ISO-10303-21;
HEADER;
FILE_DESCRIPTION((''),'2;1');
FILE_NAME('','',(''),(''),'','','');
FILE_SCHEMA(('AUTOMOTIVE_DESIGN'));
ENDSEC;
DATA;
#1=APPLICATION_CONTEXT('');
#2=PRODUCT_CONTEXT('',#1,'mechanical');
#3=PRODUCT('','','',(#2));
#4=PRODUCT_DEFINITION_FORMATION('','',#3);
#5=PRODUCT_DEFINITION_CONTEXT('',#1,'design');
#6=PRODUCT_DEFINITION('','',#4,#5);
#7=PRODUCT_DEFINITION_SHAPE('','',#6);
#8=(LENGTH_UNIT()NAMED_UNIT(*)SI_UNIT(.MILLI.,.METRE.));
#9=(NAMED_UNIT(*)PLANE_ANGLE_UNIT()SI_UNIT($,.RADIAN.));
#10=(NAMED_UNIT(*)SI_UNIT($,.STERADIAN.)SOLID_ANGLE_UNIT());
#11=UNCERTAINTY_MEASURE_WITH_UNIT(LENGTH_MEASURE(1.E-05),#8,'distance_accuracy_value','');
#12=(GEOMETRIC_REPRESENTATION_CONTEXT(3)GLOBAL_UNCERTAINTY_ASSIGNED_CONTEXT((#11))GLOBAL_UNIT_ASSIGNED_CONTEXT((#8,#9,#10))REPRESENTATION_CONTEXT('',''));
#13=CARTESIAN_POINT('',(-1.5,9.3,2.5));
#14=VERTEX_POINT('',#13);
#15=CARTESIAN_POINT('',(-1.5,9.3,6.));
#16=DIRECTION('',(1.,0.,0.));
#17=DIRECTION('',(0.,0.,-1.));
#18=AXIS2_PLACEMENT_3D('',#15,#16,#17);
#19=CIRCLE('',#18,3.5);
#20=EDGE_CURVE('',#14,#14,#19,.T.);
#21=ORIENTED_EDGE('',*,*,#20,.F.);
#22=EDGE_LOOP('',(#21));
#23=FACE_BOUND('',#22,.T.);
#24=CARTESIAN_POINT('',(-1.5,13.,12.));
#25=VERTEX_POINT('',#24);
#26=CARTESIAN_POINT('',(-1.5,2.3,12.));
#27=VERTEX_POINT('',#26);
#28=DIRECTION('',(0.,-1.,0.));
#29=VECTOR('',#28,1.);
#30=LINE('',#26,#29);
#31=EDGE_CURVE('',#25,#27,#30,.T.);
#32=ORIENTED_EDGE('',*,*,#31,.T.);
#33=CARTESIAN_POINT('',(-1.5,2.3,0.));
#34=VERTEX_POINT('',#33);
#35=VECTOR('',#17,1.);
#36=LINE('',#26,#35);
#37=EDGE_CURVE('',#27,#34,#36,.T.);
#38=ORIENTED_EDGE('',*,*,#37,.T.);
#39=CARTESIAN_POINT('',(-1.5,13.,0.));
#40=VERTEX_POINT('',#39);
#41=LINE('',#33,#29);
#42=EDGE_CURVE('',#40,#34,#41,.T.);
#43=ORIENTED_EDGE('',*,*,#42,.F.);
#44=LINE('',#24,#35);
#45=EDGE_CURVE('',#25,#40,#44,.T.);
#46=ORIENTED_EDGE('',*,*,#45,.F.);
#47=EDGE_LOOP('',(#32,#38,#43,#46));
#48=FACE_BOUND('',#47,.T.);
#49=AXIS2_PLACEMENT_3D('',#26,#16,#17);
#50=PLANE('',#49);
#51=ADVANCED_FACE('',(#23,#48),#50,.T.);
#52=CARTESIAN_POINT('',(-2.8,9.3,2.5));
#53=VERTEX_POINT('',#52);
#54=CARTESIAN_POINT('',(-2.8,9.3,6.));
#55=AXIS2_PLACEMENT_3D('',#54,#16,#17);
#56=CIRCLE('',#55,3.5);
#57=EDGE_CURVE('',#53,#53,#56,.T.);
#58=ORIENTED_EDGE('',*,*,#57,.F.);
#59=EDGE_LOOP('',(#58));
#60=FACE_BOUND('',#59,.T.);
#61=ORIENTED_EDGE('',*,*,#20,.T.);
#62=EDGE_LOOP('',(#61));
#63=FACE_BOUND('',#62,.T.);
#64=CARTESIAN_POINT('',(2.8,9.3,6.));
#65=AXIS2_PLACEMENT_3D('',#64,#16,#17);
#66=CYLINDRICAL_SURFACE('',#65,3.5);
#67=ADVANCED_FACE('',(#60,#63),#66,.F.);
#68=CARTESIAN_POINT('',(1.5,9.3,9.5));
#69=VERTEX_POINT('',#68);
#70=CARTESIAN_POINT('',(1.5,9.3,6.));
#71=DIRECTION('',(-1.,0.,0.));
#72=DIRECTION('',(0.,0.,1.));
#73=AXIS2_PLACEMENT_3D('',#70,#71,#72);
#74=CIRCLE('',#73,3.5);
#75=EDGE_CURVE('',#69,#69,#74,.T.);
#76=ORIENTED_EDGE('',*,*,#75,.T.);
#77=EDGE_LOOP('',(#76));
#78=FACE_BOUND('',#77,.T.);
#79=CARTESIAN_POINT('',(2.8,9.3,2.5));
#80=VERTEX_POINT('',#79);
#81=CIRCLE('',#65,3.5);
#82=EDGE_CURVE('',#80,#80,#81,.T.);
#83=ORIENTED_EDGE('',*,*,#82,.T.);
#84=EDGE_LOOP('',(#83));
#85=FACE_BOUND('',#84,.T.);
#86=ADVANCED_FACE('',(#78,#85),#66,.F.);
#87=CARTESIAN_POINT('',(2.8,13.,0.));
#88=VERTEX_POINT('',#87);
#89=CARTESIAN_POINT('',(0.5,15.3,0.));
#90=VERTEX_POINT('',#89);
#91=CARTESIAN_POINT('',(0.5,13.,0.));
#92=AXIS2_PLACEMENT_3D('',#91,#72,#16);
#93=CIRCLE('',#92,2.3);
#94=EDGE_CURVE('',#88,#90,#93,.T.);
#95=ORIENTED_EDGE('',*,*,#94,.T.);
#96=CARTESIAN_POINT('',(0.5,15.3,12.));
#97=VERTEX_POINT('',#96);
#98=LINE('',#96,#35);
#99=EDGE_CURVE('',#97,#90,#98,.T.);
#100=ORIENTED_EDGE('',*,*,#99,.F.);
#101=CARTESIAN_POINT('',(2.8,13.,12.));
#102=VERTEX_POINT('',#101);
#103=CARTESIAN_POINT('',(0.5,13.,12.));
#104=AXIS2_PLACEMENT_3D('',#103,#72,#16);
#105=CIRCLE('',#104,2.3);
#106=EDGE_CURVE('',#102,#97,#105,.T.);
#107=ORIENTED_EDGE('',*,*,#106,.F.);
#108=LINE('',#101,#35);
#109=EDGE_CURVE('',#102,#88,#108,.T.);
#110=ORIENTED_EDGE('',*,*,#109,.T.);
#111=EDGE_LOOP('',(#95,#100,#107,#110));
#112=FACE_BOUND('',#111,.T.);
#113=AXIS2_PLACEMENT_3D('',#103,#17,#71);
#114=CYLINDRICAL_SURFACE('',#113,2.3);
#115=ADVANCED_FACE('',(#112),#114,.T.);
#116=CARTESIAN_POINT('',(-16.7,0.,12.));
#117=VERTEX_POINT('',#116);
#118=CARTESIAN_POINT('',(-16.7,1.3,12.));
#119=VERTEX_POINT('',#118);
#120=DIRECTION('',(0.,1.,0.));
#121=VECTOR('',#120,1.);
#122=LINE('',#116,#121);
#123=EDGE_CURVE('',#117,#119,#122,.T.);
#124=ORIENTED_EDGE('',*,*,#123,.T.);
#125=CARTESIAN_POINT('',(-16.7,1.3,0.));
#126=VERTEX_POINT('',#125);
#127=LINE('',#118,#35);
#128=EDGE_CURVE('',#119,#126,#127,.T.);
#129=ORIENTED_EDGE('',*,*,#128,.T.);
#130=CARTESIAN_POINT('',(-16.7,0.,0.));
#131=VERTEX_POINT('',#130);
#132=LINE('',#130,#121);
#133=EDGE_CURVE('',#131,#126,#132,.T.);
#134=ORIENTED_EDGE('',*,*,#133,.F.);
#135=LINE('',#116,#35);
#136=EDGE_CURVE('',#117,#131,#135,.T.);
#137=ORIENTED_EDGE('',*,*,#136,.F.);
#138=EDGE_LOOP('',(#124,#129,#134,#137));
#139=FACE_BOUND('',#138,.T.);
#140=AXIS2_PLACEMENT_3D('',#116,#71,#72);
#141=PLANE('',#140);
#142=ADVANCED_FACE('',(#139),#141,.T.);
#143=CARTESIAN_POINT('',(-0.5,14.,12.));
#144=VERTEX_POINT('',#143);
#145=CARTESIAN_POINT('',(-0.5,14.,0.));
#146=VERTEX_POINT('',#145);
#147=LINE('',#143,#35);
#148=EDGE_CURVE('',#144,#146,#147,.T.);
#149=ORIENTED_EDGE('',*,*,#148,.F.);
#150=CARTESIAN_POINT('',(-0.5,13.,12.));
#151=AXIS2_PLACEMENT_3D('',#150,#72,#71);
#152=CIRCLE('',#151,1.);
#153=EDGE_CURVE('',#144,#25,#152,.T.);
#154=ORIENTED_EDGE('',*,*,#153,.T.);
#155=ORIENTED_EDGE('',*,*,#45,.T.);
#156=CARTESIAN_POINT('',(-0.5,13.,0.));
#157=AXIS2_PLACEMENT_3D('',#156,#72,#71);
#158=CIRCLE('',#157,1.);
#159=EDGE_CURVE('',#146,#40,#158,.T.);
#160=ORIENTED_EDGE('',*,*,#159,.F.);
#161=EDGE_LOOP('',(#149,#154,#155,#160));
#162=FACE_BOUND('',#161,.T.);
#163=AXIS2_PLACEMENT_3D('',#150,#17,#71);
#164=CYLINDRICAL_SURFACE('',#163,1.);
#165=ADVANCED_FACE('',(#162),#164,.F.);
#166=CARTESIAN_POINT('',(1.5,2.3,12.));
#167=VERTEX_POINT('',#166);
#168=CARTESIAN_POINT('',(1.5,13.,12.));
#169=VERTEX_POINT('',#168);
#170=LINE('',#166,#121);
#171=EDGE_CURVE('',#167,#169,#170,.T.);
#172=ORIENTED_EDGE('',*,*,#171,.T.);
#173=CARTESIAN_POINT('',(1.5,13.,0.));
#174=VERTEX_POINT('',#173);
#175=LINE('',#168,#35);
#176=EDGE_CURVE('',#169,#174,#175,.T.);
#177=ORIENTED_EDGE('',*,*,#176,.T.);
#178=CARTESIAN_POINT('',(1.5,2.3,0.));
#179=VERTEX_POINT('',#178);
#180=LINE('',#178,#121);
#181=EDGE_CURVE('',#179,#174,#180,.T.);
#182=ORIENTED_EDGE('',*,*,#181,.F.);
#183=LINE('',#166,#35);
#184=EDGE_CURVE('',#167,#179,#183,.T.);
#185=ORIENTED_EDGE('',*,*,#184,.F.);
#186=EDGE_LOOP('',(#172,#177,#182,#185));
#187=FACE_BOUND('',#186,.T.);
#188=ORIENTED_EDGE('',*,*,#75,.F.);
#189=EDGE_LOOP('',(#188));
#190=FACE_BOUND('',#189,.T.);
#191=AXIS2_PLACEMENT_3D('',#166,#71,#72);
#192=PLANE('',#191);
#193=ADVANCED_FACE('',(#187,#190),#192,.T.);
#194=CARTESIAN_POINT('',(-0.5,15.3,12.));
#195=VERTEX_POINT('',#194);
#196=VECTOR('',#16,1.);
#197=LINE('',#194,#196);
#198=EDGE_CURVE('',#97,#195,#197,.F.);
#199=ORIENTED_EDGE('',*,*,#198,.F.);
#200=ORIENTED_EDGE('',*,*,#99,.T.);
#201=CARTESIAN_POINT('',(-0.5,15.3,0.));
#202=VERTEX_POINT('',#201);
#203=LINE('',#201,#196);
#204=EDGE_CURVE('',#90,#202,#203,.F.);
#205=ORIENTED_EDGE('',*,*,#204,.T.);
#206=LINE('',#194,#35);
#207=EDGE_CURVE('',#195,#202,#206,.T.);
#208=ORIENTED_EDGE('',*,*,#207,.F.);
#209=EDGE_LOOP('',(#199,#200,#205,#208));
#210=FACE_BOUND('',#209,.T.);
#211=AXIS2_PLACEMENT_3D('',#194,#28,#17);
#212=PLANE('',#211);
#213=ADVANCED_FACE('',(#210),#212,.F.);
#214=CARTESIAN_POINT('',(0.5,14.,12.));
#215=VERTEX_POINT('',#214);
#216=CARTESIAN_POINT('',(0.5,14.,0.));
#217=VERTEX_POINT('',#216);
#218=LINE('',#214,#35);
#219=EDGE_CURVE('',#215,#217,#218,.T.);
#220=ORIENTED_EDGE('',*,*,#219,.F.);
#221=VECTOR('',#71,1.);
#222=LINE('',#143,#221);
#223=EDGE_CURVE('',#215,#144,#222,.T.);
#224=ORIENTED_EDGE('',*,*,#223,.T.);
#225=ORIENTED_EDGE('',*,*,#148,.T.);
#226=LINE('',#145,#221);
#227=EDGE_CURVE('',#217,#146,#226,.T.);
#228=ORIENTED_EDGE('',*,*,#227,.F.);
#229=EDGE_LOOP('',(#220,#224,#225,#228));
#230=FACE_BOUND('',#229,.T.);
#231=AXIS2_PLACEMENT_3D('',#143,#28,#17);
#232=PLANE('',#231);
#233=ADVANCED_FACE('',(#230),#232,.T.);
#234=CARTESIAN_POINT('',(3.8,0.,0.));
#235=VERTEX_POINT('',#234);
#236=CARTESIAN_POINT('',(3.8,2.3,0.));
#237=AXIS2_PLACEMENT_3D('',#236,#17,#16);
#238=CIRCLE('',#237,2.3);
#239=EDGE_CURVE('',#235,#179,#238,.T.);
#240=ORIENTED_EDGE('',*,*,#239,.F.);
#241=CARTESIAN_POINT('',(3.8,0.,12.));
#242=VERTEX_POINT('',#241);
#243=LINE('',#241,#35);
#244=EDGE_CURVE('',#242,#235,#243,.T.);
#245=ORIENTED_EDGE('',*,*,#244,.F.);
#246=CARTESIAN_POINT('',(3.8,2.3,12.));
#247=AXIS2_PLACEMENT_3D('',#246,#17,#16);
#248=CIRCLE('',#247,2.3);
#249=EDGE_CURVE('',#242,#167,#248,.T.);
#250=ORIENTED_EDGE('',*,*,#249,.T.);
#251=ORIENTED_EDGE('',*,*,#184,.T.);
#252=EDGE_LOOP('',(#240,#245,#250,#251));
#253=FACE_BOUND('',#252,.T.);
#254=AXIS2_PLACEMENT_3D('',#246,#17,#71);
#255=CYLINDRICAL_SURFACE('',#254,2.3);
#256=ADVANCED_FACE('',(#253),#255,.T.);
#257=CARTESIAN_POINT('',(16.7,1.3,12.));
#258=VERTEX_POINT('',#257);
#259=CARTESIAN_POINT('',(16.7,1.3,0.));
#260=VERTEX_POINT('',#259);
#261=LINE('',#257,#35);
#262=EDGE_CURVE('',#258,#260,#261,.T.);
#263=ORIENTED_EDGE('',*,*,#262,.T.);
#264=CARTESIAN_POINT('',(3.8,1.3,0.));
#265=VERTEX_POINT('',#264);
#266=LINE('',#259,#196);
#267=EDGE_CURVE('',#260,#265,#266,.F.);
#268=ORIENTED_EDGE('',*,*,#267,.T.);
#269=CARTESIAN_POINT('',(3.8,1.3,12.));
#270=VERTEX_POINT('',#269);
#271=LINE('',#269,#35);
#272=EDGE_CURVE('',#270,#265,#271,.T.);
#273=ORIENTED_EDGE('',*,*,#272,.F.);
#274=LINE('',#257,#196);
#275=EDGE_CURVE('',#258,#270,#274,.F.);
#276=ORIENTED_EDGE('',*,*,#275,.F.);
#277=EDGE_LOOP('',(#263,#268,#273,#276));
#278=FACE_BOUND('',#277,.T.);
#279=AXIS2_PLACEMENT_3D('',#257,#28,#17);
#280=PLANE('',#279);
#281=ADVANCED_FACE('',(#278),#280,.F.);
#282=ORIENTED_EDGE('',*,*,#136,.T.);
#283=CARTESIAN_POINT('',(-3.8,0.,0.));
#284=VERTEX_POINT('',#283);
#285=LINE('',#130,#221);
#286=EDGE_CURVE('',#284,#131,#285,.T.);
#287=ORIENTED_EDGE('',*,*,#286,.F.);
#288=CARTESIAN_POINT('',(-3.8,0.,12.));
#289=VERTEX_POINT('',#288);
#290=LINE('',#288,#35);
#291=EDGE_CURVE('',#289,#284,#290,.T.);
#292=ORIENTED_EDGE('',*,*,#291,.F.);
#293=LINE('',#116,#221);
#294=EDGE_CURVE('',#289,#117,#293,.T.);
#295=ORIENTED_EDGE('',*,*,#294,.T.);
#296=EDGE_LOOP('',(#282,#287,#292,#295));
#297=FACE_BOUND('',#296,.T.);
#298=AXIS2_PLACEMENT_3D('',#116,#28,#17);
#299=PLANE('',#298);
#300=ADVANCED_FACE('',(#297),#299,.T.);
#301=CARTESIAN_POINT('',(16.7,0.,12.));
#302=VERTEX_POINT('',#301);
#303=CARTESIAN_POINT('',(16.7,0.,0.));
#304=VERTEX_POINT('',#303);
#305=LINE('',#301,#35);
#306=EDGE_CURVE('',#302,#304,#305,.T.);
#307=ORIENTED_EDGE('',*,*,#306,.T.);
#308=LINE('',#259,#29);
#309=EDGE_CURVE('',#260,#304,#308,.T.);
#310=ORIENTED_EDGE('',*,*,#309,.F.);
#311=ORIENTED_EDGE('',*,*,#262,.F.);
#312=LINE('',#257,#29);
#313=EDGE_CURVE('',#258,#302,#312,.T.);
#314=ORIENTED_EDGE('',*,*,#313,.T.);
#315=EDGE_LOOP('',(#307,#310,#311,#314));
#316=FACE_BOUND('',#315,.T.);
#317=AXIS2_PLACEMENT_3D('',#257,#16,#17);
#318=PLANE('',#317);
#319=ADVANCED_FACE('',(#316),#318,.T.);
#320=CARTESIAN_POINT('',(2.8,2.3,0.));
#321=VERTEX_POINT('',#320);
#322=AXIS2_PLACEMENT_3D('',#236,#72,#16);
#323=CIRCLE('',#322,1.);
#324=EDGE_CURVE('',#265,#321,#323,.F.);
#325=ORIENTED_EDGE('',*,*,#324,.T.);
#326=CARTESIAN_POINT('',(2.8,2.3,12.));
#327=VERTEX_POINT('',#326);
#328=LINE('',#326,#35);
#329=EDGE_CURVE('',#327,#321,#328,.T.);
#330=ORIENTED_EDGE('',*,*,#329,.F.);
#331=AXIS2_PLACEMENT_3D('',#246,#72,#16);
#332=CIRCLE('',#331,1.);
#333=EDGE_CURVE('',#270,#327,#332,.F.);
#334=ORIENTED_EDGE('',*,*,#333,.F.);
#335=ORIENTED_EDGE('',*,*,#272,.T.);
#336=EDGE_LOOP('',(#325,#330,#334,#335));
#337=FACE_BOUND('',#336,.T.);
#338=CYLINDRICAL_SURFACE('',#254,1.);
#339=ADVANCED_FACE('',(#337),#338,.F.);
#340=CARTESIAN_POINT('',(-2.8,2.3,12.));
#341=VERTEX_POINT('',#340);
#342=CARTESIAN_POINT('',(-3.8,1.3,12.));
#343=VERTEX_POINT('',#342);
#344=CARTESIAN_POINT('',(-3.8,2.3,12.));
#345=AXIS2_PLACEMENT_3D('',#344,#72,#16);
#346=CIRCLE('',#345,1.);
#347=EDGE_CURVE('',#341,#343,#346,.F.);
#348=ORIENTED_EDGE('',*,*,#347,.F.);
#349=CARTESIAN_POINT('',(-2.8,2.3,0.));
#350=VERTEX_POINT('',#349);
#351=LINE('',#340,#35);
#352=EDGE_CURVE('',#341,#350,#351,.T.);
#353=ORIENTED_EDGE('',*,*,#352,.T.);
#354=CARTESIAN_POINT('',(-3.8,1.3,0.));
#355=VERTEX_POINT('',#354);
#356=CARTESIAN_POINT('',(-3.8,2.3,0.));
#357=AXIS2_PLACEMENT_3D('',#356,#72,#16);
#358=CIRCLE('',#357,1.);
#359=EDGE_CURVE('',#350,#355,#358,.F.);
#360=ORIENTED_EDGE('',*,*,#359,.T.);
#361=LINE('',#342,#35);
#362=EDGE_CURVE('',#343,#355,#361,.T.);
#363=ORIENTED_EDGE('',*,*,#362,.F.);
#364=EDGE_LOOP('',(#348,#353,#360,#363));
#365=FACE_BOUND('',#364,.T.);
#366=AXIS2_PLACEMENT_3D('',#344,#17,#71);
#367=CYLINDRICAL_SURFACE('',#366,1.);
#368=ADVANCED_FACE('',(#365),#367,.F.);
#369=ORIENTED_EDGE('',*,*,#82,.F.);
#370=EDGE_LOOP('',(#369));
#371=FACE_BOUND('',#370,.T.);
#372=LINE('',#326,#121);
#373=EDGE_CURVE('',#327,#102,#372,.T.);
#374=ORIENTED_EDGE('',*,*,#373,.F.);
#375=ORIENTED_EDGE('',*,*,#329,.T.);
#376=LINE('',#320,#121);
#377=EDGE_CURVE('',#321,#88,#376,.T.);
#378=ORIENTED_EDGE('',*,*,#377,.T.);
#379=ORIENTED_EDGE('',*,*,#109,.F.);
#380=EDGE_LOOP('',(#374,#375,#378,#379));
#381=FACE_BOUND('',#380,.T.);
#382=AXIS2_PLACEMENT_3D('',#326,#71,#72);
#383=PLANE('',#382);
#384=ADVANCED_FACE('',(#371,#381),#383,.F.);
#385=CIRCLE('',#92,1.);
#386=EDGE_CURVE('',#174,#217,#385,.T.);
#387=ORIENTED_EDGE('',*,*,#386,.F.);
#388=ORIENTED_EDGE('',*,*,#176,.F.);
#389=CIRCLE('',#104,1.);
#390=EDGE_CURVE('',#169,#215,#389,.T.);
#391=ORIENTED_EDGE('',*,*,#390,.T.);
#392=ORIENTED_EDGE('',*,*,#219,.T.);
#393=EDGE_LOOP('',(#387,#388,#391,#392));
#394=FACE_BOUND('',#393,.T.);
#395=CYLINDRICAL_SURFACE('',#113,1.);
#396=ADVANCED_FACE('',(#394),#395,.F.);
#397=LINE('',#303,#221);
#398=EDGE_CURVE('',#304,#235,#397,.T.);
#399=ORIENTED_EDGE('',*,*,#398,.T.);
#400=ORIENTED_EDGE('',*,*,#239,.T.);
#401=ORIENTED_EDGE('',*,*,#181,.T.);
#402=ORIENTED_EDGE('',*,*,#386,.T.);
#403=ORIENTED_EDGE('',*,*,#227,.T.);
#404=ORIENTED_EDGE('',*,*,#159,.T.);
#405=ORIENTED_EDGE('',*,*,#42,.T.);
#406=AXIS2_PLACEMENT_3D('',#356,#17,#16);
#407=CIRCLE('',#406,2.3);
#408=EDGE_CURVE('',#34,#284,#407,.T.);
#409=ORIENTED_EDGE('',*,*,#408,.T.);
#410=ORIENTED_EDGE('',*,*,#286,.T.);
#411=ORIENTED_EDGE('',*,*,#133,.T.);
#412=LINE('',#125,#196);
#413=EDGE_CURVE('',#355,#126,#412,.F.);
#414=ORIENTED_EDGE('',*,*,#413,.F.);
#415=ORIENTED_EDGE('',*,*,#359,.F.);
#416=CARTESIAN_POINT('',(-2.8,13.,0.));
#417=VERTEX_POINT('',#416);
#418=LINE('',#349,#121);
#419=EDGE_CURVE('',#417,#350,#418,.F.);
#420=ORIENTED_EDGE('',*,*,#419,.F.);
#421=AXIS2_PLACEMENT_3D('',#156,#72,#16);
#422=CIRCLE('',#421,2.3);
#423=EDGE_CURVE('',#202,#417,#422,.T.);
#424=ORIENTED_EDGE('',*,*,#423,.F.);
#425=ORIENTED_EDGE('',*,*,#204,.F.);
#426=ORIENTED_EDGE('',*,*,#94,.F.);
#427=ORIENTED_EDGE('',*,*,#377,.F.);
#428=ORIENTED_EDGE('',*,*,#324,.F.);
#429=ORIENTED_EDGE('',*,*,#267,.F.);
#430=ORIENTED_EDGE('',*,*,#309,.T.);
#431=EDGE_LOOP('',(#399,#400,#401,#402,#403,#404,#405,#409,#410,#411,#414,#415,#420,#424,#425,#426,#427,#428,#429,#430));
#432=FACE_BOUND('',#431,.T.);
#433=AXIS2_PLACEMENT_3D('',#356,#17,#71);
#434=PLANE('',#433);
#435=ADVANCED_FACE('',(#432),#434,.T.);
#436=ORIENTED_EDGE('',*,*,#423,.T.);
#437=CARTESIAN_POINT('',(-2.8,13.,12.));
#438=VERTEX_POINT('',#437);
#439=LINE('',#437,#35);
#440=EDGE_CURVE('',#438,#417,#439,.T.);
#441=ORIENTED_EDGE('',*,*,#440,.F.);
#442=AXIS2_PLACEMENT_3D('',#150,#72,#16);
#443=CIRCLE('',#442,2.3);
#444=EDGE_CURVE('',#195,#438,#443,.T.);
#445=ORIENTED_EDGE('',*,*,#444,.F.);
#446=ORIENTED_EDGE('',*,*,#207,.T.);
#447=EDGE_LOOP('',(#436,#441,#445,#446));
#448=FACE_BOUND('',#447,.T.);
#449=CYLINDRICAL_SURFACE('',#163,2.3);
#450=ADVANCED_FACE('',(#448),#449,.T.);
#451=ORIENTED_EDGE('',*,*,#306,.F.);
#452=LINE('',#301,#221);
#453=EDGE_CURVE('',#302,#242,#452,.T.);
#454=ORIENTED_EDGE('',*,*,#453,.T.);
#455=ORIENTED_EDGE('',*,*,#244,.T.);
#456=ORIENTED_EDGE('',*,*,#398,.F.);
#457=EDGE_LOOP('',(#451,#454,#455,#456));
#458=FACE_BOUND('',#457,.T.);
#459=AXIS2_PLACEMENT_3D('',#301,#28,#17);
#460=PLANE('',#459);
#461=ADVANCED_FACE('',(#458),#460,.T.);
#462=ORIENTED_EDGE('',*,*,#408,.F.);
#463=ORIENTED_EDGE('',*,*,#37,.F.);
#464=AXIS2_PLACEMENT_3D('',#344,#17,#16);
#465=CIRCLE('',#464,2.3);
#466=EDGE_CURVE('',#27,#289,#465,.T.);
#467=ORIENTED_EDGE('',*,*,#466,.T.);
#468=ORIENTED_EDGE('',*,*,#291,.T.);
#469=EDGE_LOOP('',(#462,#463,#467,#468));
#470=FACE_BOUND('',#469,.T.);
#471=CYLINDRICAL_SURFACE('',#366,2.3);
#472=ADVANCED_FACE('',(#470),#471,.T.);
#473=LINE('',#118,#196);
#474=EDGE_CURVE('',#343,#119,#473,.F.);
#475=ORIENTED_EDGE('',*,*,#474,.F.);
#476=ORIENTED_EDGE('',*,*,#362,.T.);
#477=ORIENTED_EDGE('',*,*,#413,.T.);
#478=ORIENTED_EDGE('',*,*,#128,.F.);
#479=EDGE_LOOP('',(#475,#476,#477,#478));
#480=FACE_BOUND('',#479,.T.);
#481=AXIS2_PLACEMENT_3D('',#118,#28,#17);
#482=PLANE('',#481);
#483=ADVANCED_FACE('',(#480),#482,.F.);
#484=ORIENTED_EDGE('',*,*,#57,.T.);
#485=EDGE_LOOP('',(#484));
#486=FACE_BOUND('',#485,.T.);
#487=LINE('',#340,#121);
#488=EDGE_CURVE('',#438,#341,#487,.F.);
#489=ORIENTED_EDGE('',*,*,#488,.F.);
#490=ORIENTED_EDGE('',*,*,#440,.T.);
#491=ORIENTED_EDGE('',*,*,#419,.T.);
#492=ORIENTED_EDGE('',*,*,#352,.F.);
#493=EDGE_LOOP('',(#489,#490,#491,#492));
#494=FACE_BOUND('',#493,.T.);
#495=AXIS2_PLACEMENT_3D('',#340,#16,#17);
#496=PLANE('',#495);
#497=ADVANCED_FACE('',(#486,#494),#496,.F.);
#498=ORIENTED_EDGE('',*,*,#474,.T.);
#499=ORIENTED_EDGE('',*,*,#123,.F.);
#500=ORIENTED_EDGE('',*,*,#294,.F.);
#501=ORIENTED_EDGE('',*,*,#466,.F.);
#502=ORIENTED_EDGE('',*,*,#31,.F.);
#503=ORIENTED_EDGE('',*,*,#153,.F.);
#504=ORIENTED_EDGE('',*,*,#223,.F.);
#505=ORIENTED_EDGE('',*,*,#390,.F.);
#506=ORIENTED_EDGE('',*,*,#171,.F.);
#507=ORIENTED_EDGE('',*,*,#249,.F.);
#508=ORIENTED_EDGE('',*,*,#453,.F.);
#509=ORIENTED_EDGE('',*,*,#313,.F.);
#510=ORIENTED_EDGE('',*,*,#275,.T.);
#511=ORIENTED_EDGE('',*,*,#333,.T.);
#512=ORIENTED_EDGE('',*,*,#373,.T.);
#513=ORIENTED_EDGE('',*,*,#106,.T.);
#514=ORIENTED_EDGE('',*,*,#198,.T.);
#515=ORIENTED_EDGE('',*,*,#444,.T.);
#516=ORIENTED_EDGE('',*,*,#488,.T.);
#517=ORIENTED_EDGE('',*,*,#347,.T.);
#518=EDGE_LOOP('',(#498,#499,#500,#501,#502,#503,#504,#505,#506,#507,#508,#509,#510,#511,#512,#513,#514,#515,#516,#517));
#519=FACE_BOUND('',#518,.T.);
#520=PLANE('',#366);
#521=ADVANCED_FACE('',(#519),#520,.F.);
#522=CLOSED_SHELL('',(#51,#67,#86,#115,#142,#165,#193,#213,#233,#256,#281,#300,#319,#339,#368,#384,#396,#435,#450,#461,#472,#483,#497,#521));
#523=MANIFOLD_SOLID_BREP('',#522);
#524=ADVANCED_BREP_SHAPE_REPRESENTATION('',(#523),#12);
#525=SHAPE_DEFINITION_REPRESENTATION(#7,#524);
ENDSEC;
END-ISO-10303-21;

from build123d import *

# Parameters (mm, degrees)
EXTRUDE_1_DEPTH       = 12
HOLE_WIZARD_7_0_7_1_D = 7


with BuildPart() as part:
    # 草图1 → 拉伸-薄壁1 (new body)
    with BuildSketch(Plane.XY):
        with BuildLine():
            Line((-16.7, 0), (-3.8, 0))
            ThreePointArc((-3.8, 0), (-2.173654403, 0.673654403), (-1.5, 2.3))
            Line((-1.5, 2.3), (-1.5, 13))
            ThreePointArc((-1.5, 13), (-1.207106781, 13.707106781), (-0.5, 14))
            Line((-0.5, 14), (0.5, 14))
            ThreePointArc((0.5, 14), (1.207106781, 13.707106781), (1.5, 13))
            Line((1.5, 13), (1.5, 2.3))
            ThreePointArc((1.5, 2.3), (2.173654403, 0.673654403), (3.8, 0))
            Line((3.8, 0), (16.7, 0))
            Line((16.7, 0), (16.7, 1.3))
            Line((16.7, 1.3), (3.8, 1.3))
            ThreePointArc((3.8, 1.3), (3.092893219, 1.592893219), (2.8, 2.3))
            Line((2.8, 2.3), (2.8, 13))
            ThreePointArc((2.8, 13), (2.126345597, 14.626345597), (0.5, 15.3))
            Line((0.5, 15.3), (-0.5, 15.3))
            ThreePointArc((-0.5, 15.3), (-2.126345597, 14.626345597), (-2.8, 13))
            Line((-2.8, 13), (-2.8, 2.3))
            ThreePointArc((-2.8, 2.3), (-3.092893219, 1.592893219), (-3.8, 1.3))
            Line((-3.8, 1.3), (-16.7, 1.3))
            Line((-16.7, 1.3), (-16.7, 0))
        make_face()
    extrude(amount=EXTRUDE_1_DEPTH)

    # Ø7.0 (7) 直径孔1 (through all)
    with Locations(Plane(origin=(2.8, 0, 0), x_dir=(0, 0, -1), z_dir=(1, 0, 0))):
        with Locations((-6, 9.3)):
            Hole(HOLE_WIZARD_7_0_7_1_D / 2)


solid = part.part
